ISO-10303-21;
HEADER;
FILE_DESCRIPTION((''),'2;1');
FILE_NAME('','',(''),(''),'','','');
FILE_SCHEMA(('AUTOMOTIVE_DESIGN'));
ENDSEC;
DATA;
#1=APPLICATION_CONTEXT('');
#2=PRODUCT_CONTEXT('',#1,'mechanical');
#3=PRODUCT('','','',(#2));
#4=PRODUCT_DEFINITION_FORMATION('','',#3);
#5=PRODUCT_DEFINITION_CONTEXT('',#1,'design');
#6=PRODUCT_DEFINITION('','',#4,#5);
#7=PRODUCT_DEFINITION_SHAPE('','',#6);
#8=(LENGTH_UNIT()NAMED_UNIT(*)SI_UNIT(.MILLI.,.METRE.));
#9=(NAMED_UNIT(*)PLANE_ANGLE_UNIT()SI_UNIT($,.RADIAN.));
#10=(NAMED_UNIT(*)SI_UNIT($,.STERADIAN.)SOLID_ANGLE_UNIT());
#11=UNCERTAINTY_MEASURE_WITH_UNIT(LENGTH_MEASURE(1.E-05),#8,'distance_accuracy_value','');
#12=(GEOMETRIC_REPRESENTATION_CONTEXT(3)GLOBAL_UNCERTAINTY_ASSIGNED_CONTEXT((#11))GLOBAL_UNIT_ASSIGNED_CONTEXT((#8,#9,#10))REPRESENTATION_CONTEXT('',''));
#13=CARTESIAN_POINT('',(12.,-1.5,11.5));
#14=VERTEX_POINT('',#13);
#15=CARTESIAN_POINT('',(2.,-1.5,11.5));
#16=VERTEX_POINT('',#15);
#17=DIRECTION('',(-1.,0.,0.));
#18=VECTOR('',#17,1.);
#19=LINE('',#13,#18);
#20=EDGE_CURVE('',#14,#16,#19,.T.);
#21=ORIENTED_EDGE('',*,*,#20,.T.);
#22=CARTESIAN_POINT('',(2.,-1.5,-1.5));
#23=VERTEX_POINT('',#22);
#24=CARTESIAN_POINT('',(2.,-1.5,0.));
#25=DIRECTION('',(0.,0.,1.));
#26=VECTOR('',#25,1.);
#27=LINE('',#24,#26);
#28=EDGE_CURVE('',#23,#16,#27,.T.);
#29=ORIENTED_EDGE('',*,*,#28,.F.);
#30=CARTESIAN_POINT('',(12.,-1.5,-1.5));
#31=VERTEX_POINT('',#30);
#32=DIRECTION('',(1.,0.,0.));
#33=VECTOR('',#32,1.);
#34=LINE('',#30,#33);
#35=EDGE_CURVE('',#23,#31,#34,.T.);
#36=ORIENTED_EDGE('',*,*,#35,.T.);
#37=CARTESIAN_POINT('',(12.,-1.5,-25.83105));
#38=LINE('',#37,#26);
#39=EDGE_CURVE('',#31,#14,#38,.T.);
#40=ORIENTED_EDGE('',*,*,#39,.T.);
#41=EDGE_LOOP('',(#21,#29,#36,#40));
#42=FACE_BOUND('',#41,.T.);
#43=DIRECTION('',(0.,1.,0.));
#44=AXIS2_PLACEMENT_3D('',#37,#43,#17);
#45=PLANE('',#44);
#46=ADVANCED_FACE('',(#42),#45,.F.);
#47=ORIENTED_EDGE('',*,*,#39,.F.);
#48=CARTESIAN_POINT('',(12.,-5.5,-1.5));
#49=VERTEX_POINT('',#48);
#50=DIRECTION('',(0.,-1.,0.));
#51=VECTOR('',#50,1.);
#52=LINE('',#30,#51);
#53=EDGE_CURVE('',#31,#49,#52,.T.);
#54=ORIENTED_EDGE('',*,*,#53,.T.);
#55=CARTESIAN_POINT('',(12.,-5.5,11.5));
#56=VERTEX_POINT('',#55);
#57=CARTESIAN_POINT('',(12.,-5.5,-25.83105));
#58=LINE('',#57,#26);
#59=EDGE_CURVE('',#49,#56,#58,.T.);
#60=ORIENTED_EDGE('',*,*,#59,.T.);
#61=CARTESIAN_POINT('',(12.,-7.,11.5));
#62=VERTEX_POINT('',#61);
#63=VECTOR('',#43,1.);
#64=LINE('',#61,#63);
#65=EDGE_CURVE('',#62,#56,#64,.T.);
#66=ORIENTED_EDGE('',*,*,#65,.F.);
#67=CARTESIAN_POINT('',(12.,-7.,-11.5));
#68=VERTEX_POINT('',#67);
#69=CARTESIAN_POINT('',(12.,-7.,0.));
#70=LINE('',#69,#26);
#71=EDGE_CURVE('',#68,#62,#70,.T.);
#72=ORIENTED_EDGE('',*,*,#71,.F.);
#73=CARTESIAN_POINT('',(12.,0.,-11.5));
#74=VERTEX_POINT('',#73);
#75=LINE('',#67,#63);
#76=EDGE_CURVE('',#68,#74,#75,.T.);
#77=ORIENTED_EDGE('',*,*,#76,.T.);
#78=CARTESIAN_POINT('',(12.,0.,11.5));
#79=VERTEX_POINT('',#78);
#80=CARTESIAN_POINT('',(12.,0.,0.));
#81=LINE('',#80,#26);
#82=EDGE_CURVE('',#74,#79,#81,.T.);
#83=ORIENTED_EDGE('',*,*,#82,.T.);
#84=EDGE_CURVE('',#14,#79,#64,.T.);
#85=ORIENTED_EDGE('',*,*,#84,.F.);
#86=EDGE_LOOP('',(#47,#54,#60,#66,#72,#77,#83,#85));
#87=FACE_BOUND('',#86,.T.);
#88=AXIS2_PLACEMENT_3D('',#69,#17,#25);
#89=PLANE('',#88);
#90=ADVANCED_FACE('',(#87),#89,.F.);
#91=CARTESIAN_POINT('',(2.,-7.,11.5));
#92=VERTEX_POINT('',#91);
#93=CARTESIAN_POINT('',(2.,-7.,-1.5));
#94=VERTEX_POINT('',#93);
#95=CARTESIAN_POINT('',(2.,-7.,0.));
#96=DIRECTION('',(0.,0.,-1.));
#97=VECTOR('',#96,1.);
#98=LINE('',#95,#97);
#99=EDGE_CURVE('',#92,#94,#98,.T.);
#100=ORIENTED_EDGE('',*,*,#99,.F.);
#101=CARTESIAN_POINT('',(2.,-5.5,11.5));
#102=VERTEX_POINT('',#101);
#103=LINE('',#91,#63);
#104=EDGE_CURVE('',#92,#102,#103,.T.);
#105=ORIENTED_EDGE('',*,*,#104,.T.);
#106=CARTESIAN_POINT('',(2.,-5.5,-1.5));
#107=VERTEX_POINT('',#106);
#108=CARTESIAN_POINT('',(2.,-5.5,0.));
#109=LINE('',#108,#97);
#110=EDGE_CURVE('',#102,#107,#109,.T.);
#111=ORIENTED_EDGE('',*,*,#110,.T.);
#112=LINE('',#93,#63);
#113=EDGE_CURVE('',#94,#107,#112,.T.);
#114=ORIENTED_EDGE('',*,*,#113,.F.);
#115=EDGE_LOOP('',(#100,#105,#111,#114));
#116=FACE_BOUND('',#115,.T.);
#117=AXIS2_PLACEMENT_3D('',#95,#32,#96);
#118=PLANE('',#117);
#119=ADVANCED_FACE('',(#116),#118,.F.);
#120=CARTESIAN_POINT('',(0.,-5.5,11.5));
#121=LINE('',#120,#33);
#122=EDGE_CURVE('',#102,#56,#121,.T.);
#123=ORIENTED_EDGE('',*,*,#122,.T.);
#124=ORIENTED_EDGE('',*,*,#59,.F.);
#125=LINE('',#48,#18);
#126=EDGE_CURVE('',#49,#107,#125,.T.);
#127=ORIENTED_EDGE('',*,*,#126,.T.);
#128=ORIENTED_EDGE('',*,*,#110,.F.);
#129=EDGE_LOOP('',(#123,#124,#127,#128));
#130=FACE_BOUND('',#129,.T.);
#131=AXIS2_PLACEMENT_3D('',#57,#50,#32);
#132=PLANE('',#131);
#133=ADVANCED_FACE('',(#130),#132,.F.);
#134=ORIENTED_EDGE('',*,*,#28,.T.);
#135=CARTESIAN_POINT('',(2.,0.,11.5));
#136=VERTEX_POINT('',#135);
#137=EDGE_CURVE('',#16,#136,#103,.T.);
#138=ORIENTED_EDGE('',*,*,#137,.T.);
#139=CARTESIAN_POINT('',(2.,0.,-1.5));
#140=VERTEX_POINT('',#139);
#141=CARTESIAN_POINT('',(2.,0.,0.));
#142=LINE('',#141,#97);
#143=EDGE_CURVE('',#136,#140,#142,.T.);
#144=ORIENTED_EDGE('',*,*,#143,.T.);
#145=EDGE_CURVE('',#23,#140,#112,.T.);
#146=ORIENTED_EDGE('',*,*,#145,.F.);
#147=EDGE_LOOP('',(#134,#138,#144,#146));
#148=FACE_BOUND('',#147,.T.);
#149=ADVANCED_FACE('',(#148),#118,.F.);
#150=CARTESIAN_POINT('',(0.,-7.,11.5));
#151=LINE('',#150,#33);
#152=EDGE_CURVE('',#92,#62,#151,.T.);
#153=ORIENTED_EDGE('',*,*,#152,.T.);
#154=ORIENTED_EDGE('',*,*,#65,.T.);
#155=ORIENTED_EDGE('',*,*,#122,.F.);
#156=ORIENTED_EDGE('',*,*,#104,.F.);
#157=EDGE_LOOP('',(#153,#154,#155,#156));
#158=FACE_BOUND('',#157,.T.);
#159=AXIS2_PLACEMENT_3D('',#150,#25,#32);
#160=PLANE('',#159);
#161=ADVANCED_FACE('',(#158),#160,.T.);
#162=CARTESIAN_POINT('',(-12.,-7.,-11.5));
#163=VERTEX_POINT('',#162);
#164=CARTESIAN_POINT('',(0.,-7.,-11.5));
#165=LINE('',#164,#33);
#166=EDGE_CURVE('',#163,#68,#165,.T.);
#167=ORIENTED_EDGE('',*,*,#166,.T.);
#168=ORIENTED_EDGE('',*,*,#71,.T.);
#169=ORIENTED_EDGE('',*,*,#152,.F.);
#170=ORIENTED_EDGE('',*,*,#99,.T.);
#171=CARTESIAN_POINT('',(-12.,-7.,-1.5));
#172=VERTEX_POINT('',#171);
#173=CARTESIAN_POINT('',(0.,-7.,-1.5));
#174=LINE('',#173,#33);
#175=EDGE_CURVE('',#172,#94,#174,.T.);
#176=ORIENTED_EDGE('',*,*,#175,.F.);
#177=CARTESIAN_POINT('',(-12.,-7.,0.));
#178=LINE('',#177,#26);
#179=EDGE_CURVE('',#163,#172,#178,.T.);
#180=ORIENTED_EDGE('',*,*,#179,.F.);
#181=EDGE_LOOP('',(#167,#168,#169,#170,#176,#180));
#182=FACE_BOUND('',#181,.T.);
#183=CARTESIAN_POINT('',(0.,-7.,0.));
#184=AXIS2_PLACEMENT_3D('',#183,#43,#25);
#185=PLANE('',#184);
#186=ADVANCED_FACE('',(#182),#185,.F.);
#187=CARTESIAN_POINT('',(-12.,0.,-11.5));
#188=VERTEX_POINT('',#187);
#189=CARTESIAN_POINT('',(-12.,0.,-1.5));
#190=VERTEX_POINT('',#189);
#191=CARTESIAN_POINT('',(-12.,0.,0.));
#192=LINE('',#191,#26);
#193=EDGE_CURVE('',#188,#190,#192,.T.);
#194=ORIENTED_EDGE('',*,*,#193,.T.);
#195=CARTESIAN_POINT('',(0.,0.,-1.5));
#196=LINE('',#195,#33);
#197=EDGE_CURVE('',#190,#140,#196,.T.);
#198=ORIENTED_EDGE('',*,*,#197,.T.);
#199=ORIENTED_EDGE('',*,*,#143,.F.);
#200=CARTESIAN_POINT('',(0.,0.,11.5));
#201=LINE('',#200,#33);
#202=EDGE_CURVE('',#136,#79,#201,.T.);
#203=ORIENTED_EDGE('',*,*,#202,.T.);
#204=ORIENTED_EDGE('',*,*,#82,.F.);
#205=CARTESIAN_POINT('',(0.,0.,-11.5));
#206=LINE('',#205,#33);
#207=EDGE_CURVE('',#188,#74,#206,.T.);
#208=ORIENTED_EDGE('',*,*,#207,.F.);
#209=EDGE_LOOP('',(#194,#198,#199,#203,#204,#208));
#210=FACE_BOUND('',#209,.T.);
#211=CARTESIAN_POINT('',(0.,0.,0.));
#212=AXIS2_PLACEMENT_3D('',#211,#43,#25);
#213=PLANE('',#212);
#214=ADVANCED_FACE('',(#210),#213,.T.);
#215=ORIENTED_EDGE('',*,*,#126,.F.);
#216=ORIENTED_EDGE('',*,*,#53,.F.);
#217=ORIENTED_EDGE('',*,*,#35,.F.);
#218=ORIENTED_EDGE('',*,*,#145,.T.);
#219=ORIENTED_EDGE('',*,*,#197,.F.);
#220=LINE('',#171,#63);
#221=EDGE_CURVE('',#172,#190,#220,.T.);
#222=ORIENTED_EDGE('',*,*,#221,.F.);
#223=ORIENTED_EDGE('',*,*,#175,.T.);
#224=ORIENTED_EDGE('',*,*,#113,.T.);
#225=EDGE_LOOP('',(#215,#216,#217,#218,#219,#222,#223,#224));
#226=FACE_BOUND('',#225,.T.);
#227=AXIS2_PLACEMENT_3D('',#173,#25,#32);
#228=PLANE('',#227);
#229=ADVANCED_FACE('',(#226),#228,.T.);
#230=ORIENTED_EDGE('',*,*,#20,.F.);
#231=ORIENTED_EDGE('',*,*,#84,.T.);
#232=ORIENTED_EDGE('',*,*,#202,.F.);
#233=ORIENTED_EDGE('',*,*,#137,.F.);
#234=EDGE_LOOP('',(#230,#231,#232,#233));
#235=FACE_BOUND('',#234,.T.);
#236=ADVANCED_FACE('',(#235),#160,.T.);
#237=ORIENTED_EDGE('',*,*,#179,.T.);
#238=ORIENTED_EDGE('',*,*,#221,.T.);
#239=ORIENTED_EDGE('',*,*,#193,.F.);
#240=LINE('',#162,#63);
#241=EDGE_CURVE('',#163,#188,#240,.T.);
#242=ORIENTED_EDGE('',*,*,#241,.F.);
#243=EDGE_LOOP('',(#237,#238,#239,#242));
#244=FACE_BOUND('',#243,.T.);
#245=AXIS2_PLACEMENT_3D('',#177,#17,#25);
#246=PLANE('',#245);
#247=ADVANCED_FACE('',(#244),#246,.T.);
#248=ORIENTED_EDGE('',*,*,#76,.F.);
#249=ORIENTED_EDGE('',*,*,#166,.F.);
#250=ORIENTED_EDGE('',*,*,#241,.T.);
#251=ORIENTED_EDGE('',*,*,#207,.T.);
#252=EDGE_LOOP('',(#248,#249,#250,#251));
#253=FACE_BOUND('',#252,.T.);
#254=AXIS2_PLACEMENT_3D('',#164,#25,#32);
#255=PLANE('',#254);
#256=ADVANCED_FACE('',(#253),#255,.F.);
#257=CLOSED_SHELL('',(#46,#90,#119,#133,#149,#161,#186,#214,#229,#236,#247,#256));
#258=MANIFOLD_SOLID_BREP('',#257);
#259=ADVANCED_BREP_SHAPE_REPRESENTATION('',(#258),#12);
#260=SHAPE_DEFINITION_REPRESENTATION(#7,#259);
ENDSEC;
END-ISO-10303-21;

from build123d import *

# Parameters (mm, degrees)
BOSS_EXTRUDE2_DEPTH = 7
SKETCH4_W           = 24
SKETCH4_H           = 4
CUT_EXTRUDE1_DEPTH  = 13


with BuildPart() as part:
    # Sketch3 → Boss-Extrude2 (new body)
    with BuildSketch(Plane(origin=(0, 0, 0), x_dir=(1, 0, 0), z_dir=(0, 1, 0))):
        Polygon((12, 11.5), (-12, 11.5), (-12, 1.5), (2, 1.5), (2, -11.5), (12, -11.5), align=None)
    extrude(amount=-BOSS_EXTRUDE2_DEPTH)

    # Sketch4 → Cut-Extrude1 (cut)
    with BuildSketch(Plane.XY.offset(11.5)):
        with Locations((0, -3.5)):
            Rectangle(SKETCH4_W, SKETCH4_H)
    extrude(amount=-CUT_EXTRUDE1_DEPTH, mode=Mode.SUBTRACT)


solid = part.part
